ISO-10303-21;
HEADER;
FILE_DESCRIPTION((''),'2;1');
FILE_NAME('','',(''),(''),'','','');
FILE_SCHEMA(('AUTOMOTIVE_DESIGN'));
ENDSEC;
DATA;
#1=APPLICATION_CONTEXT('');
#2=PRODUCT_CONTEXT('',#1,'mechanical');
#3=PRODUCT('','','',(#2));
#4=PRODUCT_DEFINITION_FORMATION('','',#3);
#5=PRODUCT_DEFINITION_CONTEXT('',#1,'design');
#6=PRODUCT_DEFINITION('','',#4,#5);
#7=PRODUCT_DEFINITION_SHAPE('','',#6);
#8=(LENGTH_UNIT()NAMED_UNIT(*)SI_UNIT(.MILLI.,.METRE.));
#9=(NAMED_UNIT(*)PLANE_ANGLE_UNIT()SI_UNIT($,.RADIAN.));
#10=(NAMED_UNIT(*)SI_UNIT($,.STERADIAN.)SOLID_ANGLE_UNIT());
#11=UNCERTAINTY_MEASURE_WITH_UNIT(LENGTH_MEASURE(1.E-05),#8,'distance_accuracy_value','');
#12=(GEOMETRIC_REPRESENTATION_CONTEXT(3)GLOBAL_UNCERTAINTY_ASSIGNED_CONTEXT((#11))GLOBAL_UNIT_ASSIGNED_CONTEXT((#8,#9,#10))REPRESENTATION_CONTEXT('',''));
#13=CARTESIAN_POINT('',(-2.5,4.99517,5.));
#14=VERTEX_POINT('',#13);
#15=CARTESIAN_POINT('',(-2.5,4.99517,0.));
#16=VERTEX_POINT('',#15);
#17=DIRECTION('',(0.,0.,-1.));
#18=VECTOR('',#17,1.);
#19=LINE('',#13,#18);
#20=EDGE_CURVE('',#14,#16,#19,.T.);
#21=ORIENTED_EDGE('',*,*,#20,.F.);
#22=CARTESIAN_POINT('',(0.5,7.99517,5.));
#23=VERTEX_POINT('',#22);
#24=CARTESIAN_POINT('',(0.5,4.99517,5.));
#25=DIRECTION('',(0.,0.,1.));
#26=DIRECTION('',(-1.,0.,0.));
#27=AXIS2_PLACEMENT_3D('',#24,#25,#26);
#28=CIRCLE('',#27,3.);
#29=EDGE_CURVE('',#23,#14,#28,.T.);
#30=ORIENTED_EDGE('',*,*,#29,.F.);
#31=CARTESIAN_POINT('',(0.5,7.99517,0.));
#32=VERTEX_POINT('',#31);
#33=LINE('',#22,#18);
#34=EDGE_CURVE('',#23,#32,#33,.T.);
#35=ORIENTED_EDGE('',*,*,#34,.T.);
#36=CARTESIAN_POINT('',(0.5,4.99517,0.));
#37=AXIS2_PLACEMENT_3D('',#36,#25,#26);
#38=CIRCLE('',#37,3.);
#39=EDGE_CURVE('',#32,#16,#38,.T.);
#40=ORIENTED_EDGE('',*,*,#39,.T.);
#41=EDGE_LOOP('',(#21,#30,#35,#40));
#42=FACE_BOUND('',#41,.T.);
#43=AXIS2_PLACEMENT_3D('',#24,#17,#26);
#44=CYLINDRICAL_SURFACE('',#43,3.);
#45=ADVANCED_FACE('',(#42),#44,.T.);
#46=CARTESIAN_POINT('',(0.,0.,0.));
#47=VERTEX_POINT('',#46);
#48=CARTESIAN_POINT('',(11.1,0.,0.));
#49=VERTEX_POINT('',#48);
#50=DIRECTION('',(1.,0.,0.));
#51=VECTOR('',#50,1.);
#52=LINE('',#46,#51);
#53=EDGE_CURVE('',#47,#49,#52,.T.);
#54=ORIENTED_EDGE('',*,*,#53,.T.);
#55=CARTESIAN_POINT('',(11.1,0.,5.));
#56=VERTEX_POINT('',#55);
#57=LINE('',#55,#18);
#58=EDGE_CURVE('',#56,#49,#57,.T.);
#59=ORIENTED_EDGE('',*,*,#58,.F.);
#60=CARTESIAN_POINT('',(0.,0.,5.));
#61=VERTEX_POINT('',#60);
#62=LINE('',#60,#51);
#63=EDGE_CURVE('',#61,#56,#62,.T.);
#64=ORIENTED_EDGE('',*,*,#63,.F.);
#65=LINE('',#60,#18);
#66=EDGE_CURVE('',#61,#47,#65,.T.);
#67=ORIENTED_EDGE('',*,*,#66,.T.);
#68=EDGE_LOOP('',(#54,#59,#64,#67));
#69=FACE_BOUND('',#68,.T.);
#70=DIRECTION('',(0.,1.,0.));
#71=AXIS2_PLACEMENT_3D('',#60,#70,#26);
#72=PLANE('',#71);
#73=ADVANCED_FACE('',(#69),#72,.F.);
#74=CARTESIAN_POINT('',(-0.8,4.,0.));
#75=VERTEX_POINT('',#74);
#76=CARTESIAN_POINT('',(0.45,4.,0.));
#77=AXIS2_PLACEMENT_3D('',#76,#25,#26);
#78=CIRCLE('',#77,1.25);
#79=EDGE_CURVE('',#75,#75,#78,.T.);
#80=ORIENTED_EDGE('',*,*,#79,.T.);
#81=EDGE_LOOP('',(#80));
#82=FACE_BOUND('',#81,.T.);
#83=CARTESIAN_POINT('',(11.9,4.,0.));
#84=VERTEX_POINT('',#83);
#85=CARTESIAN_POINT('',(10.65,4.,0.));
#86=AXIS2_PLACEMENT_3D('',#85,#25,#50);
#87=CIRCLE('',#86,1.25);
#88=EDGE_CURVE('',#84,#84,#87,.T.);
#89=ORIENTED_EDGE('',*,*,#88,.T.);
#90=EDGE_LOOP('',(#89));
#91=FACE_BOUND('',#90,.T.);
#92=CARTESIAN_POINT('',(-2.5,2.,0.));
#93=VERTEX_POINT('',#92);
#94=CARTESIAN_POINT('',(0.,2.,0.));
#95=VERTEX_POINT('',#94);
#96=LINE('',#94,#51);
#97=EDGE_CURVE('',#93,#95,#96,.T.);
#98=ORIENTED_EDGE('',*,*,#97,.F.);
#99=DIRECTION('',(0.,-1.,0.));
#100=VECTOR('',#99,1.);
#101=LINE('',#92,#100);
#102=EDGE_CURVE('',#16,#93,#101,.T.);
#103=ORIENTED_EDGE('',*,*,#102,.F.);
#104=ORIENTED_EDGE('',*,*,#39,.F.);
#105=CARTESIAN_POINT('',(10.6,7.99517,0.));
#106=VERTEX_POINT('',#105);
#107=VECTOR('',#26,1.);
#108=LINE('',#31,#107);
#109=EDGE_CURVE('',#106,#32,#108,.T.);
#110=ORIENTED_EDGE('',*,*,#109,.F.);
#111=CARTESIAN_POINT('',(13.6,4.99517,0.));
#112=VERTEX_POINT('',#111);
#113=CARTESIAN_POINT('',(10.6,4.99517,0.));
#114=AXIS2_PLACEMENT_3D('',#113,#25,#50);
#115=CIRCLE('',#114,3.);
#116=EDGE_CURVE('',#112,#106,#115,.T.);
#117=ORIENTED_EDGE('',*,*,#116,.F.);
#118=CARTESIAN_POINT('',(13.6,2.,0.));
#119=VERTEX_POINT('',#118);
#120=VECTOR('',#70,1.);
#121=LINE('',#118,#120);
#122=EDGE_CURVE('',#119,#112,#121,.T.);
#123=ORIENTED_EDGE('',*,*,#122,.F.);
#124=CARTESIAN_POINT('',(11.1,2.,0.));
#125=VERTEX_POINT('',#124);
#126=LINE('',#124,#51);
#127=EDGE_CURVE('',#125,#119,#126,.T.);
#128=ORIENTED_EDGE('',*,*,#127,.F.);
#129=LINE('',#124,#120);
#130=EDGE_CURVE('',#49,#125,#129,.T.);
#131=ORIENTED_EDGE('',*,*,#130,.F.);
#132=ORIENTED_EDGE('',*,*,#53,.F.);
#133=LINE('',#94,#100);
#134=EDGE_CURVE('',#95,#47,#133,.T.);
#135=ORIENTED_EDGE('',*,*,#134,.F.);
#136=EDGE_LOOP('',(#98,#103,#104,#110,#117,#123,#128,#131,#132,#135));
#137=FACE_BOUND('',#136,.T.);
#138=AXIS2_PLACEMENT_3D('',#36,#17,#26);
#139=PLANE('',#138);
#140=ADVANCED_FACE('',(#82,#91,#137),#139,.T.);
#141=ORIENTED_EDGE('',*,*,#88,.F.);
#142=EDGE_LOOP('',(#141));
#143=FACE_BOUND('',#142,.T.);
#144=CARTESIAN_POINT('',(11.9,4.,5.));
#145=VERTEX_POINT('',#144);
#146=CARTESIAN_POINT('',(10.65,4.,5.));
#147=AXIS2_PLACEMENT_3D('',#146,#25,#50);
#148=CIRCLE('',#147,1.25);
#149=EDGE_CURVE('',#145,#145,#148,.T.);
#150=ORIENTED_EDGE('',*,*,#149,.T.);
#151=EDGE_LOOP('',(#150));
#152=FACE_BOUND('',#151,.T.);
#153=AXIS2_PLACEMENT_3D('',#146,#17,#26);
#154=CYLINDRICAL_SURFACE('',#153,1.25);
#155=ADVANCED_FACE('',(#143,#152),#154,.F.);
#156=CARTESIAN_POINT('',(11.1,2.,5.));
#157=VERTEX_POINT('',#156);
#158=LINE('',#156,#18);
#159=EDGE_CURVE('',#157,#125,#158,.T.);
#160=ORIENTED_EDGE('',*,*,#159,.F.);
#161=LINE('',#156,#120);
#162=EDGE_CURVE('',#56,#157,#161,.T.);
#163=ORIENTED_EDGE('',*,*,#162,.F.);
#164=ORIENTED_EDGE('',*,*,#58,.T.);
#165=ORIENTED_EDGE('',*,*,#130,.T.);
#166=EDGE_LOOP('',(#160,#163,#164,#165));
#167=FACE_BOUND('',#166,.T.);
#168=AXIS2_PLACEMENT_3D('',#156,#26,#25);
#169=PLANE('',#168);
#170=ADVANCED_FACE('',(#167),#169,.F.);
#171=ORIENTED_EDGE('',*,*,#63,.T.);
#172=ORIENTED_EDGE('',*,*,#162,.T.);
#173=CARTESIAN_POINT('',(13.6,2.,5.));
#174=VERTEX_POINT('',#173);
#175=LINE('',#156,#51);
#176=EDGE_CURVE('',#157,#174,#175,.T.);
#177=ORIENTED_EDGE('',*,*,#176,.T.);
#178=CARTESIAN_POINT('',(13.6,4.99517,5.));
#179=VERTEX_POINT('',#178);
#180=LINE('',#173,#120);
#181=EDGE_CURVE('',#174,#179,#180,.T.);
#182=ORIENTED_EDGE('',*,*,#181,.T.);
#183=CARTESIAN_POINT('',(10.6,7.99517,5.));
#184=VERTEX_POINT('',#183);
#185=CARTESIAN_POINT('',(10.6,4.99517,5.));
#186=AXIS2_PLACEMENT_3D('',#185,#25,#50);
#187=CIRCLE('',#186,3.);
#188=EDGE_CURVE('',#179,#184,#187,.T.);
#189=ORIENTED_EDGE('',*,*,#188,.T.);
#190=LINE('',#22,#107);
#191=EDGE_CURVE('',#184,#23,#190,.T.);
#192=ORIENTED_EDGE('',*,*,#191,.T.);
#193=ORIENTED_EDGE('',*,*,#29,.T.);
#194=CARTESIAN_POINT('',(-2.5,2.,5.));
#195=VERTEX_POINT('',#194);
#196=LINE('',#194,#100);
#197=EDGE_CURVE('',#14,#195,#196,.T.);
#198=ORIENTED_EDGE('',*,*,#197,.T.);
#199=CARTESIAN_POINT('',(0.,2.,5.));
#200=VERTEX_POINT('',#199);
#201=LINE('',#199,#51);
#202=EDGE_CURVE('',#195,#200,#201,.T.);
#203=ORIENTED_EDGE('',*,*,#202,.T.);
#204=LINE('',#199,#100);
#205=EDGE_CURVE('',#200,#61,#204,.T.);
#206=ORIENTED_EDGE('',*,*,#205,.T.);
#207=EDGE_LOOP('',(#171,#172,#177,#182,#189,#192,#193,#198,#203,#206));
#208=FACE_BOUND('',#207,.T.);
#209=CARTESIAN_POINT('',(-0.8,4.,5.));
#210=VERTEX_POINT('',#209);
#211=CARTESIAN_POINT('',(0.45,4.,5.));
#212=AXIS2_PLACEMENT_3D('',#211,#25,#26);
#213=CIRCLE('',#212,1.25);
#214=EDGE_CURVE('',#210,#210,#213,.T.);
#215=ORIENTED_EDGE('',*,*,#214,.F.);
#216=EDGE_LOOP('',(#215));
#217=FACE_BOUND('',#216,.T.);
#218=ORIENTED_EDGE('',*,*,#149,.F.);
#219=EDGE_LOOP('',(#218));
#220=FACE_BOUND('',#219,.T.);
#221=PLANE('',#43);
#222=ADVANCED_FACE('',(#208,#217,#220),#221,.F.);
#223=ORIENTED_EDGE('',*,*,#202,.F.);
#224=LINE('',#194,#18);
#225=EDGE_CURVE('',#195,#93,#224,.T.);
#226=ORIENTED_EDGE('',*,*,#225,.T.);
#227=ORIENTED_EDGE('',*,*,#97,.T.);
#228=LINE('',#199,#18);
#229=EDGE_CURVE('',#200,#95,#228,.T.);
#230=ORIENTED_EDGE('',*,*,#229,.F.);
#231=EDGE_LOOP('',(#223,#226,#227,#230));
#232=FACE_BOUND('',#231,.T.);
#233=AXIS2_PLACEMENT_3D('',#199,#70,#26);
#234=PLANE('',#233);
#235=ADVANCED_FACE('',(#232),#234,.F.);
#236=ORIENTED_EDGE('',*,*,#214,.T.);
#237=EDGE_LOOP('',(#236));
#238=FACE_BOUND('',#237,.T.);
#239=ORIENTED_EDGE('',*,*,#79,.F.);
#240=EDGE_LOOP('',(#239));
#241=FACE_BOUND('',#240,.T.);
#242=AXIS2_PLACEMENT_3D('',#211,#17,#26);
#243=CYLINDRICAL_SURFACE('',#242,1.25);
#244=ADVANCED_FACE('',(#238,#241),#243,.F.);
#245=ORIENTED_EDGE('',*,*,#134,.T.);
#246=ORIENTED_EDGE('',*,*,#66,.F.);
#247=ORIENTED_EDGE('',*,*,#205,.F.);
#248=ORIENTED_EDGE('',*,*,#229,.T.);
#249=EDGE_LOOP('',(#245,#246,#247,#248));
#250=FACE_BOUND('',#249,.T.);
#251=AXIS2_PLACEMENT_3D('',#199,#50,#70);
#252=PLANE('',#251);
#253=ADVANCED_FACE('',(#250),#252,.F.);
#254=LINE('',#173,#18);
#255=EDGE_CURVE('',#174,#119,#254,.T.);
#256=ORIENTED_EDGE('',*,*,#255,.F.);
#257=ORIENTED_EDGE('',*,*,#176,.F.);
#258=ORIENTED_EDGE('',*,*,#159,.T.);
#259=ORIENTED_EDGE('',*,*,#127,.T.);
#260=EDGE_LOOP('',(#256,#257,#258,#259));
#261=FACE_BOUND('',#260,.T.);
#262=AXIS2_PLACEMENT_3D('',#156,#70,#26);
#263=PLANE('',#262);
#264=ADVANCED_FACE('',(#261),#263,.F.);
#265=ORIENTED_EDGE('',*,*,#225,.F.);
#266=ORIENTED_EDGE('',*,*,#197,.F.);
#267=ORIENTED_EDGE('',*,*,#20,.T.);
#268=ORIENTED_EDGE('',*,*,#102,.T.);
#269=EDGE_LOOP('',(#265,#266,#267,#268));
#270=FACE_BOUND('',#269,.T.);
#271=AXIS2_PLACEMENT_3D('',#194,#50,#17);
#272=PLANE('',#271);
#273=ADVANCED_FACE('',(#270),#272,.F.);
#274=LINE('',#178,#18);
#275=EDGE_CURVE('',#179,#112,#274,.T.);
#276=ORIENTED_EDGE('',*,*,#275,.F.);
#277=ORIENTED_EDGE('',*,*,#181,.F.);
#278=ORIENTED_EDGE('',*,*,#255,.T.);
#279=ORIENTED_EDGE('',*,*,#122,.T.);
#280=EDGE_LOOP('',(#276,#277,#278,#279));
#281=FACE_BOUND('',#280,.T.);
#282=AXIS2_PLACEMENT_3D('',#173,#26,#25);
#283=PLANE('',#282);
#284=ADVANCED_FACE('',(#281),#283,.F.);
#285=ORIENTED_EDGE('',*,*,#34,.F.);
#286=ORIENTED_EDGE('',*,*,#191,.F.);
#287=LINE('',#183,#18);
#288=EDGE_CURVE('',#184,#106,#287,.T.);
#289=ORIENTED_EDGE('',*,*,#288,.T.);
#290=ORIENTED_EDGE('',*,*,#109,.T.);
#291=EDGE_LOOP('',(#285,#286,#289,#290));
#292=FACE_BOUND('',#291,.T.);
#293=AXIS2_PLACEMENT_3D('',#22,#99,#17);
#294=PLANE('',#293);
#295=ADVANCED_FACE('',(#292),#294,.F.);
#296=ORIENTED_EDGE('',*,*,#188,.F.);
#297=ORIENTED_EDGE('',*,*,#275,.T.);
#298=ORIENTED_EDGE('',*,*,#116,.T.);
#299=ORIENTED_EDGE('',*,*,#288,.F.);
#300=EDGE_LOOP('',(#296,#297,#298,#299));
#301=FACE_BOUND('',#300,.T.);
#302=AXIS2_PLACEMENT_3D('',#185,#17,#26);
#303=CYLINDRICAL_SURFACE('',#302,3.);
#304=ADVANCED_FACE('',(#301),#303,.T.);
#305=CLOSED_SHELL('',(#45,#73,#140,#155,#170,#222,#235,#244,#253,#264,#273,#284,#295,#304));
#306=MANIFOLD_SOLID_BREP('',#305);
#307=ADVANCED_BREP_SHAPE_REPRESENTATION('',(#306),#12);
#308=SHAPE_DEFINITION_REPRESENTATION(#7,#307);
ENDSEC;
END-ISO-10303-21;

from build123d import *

# Parameters (mm, degrees)
MODEL_R             = 1.25
BOSS_EXTRUDE1_DEPTH = 5


with BuildPart() as part:
    # Model → Boss-Extrude1 (new body)
    with BuildSketch(Plane.XY):
        with BuildLine():
            Line((0, 2), (-2.5, 2))
            Line((-2.5, 2), (-2.5, 4.995169548))
            ThreePointArc((-2.5, 4.995169548), (-1.621320344, 7.116489891), (0.5, 7.995169548))
            Line((0.5, 7.995169548), (10.6, 7.995169548))
            ThreePointArc((10.6, 7.995169548), (12.721320344, 7.116489891), (13.6, 4.995169548))
            Line((13.6, 4.995169548), (13.6, 2))
            Line((13.6, 2), (11.1, 2))
            Line((11.1, 2), (11.1, 0))
            Line((11.1, 0), (0, 0))
            Line((0, 0), (0, 2))
        make_face()
        with Locations((0.45, 4)):
            Circle(MODEL_R, mode=Mode.SUBTRACT)
        with Locations((10.65, 4)):
            Circle(MODEL_R, mode=Mode.SUBTRACT)
    extrude(amount=BOSS_EXTRUDE1_DEPTH)


solid = part.part
